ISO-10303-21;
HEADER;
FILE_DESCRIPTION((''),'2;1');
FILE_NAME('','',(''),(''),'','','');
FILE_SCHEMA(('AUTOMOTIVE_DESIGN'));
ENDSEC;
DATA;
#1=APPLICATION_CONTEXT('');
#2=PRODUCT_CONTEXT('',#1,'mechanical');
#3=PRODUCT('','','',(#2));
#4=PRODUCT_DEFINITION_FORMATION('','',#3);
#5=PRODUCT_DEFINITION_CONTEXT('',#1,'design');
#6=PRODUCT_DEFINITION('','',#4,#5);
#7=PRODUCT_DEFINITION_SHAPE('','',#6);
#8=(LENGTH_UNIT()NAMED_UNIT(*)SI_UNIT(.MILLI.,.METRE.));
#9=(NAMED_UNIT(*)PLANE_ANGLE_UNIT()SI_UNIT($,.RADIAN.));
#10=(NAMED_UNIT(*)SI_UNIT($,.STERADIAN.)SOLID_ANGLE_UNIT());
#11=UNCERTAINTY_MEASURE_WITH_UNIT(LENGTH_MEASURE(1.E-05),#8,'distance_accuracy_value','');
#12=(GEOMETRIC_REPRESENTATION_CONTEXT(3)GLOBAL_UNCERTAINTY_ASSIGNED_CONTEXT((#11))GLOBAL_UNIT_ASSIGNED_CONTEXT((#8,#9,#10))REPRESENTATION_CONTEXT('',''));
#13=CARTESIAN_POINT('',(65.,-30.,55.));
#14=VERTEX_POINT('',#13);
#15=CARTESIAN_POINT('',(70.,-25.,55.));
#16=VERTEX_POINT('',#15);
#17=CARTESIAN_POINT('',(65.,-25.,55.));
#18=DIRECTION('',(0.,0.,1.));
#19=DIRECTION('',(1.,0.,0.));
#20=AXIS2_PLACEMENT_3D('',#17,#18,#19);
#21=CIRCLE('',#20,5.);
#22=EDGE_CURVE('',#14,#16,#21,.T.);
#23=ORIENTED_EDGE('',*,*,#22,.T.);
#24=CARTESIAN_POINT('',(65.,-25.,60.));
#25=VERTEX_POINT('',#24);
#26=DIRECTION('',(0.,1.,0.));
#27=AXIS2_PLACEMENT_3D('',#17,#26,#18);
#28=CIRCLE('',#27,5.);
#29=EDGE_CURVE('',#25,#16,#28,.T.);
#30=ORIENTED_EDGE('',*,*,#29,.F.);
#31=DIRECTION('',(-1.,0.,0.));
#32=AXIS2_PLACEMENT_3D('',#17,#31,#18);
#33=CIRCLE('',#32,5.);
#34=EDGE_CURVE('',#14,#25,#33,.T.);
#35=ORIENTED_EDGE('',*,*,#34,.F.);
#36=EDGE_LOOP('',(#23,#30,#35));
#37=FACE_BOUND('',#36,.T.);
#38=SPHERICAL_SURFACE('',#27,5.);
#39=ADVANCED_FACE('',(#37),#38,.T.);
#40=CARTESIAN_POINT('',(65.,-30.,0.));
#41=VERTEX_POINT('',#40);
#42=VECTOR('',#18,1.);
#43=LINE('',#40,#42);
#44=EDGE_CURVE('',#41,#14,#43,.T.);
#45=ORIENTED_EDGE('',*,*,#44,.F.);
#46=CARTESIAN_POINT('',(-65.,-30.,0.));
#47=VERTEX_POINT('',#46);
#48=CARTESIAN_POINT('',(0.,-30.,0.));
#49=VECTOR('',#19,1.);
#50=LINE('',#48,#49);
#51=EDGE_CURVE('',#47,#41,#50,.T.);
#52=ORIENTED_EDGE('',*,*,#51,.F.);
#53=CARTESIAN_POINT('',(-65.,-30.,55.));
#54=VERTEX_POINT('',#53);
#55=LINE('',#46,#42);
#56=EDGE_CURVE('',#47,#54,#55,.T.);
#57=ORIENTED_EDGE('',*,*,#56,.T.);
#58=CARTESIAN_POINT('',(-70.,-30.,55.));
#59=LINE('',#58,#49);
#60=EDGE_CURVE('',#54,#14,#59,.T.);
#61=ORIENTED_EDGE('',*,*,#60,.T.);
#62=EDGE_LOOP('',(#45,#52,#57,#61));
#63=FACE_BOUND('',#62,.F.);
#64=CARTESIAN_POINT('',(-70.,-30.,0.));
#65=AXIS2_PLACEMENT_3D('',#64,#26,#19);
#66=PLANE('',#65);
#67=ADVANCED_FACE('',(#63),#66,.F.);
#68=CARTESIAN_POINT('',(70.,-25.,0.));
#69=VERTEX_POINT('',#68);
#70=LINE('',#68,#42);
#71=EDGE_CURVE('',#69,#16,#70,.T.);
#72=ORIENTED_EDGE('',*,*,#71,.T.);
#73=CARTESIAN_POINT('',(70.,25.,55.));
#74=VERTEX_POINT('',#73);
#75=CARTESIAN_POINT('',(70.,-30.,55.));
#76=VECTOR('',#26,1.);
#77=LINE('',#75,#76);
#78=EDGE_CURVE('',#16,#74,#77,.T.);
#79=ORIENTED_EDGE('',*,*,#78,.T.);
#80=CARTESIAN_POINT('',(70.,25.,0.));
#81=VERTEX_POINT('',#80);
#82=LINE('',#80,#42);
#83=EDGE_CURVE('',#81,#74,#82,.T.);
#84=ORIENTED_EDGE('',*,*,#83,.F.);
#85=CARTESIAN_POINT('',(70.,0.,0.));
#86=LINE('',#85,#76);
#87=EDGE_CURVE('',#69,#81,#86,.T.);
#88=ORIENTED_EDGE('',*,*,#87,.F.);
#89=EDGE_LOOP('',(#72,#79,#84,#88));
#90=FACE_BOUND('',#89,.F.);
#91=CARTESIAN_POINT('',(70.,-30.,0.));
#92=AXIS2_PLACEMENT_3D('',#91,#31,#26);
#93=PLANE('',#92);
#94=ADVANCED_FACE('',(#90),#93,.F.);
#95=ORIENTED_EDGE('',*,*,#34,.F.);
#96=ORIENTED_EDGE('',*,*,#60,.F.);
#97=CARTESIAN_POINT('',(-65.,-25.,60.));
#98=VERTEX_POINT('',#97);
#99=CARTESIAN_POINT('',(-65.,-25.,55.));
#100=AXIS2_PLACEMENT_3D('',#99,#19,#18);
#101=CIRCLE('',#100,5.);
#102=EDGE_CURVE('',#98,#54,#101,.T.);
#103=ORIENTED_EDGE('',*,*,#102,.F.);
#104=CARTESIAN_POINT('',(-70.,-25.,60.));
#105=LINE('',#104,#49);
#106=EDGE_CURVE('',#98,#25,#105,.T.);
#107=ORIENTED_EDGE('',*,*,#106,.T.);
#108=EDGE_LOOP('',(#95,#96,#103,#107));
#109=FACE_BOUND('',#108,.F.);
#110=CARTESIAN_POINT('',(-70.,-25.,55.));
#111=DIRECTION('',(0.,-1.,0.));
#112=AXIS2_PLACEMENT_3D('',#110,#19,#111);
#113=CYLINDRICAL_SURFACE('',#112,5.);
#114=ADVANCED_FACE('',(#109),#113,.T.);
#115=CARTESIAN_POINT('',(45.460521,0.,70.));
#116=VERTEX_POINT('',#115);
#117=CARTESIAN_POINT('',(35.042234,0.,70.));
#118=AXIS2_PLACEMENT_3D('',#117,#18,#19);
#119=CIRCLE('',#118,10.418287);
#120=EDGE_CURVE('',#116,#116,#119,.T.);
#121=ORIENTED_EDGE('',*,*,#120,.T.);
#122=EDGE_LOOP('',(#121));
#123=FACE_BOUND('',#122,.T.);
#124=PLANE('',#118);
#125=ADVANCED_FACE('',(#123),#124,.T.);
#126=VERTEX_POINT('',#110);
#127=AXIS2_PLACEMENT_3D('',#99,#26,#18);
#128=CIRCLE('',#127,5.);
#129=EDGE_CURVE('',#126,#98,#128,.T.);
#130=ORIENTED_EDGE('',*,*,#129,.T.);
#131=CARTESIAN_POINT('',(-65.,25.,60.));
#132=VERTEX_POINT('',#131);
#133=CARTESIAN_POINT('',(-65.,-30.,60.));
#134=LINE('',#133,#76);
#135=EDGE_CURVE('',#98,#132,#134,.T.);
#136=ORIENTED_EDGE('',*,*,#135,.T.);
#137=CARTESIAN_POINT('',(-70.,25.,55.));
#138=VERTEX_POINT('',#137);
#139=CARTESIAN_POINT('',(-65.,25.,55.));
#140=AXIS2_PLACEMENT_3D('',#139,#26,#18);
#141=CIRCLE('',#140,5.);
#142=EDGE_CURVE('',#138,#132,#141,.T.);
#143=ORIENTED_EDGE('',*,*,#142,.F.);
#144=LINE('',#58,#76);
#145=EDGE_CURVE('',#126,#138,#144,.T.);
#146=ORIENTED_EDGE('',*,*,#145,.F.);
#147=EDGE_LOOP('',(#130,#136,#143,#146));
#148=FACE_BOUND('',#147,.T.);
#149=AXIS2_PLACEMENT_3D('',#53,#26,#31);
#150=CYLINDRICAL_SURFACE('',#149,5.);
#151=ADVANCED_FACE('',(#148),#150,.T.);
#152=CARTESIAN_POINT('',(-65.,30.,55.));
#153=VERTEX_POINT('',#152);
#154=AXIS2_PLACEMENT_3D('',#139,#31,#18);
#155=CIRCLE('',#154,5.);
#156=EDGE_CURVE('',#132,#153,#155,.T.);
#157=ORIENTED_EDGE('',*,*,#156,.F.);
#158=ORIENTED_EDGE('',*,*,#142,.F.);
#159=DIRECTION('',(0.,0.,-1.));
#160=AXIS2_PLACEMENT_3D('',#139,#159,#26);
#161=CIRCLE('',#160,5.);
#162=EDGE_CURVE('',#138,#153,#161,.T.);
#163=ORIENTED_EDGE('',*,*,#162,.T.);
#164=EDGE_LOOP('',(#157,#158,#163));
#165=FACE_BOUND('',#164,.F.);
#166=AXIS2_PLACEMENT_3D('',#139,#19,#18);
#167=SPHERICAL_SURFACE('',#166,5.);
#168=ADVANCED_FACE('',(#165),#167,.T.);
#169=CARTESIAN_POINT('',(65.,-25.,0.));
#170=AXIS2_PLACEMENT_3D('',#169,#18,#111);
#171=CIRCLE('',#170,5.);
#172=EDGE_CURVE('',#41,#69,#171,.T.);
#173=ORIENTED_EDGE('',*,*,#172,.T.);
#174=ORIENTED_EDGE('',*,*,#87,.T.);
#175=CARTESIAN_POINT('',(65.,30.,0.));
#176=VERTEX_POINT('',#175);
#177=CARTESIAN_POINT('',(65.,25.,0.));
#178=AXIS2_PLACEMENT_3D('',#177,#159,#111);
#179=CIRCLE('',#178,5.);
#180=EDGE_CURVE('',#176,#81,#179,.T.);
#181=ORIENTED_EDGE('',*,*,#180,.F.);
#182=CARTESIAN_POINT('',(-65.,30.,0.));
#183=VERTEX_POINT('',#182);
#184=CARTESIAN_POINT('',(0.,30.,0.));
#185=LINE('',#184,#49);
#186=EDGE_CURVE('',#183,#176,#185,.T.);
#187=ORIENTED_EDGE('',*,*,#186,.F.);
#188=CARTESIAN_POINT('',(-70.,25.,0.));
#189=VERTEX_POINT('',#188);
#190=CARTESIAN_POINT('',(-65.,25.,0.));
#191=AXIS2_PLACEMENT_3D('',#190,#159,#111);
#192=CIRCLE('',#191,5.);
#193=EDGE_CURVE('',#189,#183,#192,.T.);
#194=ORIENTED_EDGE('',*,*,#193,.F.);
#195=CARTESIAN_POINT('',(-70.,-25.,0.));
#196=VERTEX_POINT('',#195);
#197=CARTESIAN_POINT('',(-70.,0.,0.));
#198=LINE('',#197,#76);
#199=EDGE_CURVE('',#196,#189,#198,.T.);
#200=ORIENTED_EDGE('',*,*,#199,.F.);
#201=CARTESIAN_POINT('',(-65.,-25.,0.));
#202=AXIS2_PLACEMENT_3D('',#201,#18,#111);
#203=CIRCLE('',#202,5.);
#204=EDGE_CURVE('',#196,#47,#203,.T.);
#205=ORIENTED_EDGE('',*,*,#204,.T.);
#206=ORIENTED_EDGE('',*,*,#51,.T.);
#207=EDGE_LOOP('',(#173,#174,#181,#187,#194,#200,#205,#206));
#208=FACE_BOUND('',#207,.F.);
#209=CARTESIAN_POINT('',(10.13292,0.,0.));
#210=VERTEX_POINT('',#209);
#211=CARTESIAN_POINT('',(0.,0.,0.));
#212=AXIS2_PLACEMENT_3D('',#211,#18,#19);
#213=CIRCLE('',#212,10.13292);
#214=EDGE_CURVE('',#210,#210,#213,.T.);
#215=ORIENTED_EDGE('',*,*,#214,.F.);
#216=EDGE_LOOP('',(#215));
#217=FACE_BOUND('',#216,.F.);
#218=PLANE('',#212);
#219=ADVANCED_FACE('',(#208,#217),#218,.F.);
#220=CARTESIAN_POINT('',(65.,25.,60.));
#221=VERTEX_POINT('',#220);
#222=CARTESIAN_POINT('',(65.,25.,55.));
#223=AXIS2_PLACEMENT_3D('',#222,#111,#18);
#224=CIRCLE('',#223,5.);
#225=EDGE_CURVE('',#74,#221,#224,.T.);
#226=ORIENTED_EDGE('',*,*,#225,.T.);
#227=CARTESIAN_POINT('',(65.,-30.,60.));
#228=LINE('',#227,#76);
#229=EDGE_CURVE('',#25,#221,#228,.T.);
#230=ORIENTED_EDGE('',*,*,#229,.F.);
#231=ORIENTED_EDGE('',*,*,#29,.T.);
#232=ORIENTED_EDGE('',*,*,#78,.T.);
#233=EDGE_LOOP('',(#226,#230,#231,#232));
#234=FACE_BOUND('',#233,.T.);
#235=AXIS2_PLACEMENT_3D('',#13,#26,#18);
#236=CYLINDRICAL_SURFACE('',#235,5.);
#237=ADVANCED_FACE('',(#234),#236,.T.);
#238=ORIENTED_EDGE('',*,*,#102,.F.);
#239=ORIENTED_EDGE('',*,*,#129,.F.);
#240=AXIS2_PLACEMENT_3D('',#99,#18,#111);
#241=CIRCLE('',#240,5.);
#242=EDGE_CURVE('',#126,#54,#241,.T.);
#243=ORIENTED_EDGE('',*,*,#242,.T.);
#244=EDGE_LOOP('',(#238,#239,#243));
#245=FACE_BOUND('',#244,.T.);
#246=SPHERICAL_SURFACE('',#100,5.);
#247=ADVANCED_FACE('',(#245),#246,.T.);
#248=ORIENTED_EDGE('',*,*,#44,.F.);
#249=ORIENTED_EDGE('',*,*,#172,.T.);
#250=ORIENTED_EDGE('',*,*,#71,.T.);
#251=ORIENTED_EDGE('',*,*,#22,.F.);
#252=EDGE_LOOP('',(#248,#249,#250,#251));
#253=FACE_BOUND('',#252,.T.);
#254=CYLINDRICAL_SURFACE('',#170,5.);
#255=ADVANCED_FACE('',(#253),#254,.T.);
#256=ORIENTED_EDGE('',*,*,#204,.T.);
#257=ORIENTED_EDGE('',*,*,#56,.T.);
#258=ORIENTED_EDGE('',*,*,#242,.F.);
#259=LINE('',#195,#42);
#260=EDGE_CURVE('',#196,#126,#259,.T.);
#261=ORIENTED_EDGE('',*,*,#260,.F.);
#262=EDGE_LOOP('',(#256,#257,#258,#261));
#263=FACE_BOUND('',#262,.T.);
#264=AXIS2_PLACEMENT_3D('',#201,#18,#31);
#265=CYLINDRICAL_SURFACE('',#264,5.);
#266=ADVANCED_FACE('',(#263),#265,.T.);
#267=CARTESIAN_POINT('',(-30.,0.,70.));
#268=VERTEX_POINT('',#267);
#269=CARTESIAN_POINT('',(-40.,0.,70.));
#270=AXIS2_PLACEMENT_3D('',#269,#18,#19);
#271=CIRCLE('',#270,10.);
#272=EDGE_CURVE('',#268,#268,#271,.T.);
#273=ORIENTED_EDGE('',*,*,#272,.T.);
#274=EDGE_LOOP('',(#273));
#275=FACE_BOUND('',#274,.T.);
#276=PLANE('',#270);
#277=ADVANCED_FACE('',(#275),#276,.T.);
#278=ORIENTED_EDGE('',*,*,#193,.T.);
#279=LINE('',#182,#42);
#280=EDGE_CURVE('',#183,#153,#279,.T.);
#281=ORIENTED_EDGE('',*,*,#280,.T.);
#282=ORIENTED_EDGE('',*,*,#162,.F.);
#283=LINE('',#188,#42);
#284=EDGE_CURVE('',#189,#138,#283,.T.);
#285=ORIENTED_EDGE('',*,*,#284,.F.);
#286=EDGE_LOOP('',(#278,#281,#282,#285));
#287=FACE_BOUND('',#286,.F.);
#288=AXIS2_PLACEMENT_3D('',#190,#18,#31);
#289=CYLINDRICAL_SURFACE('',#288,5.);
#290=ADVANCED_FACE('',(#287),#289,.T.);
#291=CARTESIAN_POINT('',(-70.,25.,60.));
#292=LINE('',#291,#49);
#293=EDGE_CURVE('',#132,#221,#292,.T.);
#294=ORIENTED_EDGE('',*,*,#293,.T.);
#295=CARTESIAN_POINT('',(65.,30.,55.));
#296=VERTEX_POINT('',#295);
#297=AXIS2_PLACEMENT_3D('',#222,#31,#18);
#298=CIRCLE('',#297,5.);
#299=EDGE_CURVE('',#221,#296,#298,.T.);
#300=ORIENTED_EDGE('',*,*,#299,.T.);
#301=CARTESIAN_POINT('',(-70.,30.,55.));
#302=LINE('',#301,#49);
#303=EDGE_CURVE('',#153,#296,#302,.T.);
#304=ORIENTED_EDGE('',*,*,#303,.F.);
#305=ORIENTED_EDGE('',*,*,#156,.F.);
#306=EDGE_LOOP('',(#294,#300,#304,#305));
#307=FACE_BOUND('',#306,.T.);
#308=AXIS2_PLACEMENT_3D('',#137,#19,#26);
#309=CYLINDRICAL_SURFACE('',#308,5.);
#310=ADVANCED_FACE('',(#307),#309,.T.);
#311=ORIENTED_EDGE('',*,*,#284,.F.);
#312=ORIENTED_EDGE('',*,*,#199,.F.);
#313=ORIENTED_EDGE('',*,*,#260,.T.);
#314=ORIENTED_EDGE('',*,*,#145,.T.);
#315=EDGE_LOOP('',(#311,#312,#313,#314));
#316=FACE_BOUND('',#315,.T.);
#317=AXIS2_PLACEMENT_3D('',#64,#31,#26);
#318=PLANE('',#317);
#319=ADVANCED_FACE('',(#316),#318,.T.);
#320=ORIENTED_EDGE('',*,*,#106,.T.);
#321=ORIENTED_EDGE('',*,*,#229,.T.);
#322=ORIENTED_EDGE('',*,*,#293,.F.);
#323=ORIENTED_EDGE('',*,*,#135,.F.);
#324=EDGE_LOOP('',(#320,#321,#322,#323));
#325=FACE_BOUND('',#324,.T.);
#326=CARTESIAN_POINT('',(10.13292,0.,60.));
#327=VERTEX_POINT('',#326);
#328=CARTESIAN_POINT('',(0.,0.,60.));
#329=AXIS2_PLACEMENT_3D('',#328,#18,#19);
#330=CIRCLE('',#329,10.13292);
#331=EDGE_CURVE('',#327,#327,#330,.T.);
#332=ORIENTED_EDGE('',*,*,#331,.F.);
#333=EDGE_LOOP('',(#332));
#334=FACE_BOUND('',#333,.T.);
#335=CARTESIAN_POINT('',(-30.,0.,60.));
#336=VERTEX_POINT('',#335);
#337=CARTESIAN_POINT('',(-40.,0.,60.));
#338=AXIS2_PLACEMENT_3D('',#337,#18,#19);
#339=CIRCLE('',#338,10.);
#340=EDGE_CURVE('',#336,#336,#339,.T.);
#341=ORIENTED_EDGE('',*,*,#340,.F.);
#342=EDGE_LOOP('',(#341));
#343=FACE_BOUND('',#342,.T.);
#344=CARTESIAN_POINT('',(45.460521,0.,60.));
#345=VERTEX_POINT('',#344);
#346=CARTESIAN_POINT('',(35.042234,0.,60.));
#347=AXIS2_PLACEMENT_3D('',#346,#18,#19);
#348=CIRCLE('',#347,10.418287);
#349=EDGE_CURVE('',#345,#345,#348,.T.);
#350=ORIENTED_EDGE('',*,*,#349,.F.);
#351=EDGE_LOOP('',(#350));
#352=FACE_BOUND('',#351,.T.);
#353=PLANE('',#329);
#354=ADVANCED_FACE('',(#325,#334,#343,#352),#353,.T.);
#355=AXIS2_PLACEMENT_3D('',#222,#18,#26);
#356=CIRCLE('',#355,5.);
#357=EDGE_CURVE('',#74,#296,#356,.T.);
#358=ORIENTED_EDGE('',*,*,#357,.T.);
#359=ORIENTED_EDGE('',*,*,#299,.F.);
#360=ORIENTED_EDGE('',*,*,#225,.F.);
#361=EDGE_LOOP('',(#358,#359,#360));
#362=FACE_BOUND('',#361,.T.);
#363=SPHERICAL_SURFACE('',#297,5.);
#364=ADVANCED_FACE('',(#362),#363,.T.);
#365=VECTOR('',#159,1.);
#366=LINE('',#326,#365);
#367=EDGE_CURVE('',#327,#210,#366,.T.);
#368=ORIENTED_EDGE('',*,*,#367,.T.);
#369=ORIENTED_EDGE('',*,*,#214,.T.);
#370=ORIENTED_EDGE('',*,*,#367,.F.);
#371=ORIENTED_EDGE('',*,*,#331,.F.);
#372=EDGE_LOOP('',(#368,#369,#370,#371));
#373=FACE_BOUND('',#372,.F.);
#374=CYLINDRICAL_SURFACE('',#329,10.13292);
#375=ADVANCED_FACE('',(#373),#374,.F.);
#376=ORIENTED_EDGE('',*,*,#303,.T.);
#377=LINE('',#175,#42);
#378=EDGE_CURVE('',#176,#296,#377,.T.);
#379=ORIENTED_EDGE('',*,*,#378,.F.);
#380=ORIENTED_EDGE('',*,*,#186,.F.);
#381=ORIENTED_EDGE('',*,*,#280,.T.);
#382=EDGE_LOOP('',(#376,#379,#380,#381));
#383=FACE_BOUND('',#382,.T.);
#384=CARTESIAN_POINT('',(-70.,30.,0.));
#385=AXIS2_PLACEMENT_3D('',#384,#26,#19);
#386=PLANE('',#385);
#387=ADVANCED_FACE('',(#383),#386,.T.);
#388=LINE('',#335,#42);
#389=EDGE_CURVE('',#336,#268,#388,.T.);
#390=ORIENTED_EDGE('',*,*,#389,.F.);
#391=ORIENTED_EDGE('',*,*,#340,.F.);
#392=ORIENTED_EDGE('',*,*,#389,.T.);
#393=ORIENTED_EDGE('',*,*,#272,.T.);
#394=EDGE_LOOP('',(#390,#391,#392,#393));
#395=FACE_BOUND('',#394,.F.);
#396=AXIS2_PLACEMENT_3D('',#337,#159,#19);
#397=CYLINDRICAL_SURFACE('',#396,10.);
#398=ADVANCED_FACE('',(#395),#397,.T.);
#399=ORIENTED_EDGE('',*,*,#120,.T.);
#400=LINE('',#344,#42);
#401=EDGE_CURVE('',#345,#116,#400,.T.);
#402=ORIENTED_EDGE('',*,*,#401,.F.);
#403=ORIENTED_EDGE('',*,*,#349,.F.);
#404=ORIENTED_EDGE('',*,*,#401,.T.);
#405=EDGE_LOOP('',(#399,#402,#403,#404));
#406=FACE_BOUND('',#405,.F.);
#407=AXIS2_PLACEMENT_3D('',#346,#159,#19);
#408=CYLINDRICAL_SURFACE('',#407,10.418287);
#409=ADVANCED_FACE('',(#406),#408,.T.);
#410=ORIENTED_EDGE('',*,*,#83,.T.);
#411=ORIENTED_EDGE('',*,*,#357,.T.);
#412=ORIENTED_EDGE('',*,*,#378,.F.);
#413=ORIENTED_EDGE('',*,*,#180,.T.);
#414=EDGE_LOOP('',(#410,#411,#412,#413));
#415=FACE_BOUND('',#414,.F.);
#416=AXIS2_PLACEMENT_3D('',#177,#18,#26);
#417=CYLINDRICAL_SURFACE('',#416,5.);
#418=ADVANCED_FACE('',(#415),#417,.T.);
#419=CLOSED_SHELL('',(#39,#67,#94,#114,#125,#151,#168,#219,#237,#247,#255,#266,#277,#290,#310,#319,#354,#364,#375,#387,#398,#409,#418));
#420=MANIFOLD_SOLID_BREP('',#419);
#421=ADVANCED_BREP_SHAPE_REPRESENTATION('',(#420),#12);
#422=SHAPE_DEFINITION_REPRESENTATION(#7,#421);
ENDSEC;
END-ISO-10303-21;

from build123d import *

# Parameters (mm, degrees)
F0_W     = 140
F0_H     = 60
F1_DEPTH = 60
F2_R     = 10
F5_DEPTH = 10
F4_R     = 10.13292
F6_DEPTH = 175
F3_R     = 10.418287
F7_DEPTH = 10
F8_R     = 5


with BuildPart() as f1:
    # F0 (on Top) → F1 (new body)
    with BuildSketch(Plane.XY):
        Rectangle(F0_W, F0_H)
    extrude(amount=F1_DEPTH)

    # F2 (on face) → F5 (join)
    with BuildSketch(Plane.XY.offset(60)):
        with Locations((-40, 0)):
            Circle(F2_R)
    extrude(amount=F5_DEPTH)

    # F4 (on face) → F6 (cut)
    with BuildSketch(Plane.XY.offset(60)):
        Circle(F4_R)
    extrude(amount=-F6_DEPTH, mode=Mode.SUBTRACT)

    # F3 (on face) → F7 (join)
    with BuildSketch(Plane.XY.offset(60)):
        with Locations((35.042234, 0)):
            Circle(F3_R)
    extrude(amount=F7_DEPTH)

    # F8
    f8_edges = [f1.edges().sort_by_distance(p)[0] for p in [
        (0, 30, 60),
        (70, 0, 60),
        (0, -30, 60),
        (-70, 0, 60),
        (-70, 30, 30),
        (-70, -30, 30),
        (70, -30, 30),
        (70, 30, 30),
    ]]
    fillet(f8_edges, radius=F8_R)


solid = f1.part
